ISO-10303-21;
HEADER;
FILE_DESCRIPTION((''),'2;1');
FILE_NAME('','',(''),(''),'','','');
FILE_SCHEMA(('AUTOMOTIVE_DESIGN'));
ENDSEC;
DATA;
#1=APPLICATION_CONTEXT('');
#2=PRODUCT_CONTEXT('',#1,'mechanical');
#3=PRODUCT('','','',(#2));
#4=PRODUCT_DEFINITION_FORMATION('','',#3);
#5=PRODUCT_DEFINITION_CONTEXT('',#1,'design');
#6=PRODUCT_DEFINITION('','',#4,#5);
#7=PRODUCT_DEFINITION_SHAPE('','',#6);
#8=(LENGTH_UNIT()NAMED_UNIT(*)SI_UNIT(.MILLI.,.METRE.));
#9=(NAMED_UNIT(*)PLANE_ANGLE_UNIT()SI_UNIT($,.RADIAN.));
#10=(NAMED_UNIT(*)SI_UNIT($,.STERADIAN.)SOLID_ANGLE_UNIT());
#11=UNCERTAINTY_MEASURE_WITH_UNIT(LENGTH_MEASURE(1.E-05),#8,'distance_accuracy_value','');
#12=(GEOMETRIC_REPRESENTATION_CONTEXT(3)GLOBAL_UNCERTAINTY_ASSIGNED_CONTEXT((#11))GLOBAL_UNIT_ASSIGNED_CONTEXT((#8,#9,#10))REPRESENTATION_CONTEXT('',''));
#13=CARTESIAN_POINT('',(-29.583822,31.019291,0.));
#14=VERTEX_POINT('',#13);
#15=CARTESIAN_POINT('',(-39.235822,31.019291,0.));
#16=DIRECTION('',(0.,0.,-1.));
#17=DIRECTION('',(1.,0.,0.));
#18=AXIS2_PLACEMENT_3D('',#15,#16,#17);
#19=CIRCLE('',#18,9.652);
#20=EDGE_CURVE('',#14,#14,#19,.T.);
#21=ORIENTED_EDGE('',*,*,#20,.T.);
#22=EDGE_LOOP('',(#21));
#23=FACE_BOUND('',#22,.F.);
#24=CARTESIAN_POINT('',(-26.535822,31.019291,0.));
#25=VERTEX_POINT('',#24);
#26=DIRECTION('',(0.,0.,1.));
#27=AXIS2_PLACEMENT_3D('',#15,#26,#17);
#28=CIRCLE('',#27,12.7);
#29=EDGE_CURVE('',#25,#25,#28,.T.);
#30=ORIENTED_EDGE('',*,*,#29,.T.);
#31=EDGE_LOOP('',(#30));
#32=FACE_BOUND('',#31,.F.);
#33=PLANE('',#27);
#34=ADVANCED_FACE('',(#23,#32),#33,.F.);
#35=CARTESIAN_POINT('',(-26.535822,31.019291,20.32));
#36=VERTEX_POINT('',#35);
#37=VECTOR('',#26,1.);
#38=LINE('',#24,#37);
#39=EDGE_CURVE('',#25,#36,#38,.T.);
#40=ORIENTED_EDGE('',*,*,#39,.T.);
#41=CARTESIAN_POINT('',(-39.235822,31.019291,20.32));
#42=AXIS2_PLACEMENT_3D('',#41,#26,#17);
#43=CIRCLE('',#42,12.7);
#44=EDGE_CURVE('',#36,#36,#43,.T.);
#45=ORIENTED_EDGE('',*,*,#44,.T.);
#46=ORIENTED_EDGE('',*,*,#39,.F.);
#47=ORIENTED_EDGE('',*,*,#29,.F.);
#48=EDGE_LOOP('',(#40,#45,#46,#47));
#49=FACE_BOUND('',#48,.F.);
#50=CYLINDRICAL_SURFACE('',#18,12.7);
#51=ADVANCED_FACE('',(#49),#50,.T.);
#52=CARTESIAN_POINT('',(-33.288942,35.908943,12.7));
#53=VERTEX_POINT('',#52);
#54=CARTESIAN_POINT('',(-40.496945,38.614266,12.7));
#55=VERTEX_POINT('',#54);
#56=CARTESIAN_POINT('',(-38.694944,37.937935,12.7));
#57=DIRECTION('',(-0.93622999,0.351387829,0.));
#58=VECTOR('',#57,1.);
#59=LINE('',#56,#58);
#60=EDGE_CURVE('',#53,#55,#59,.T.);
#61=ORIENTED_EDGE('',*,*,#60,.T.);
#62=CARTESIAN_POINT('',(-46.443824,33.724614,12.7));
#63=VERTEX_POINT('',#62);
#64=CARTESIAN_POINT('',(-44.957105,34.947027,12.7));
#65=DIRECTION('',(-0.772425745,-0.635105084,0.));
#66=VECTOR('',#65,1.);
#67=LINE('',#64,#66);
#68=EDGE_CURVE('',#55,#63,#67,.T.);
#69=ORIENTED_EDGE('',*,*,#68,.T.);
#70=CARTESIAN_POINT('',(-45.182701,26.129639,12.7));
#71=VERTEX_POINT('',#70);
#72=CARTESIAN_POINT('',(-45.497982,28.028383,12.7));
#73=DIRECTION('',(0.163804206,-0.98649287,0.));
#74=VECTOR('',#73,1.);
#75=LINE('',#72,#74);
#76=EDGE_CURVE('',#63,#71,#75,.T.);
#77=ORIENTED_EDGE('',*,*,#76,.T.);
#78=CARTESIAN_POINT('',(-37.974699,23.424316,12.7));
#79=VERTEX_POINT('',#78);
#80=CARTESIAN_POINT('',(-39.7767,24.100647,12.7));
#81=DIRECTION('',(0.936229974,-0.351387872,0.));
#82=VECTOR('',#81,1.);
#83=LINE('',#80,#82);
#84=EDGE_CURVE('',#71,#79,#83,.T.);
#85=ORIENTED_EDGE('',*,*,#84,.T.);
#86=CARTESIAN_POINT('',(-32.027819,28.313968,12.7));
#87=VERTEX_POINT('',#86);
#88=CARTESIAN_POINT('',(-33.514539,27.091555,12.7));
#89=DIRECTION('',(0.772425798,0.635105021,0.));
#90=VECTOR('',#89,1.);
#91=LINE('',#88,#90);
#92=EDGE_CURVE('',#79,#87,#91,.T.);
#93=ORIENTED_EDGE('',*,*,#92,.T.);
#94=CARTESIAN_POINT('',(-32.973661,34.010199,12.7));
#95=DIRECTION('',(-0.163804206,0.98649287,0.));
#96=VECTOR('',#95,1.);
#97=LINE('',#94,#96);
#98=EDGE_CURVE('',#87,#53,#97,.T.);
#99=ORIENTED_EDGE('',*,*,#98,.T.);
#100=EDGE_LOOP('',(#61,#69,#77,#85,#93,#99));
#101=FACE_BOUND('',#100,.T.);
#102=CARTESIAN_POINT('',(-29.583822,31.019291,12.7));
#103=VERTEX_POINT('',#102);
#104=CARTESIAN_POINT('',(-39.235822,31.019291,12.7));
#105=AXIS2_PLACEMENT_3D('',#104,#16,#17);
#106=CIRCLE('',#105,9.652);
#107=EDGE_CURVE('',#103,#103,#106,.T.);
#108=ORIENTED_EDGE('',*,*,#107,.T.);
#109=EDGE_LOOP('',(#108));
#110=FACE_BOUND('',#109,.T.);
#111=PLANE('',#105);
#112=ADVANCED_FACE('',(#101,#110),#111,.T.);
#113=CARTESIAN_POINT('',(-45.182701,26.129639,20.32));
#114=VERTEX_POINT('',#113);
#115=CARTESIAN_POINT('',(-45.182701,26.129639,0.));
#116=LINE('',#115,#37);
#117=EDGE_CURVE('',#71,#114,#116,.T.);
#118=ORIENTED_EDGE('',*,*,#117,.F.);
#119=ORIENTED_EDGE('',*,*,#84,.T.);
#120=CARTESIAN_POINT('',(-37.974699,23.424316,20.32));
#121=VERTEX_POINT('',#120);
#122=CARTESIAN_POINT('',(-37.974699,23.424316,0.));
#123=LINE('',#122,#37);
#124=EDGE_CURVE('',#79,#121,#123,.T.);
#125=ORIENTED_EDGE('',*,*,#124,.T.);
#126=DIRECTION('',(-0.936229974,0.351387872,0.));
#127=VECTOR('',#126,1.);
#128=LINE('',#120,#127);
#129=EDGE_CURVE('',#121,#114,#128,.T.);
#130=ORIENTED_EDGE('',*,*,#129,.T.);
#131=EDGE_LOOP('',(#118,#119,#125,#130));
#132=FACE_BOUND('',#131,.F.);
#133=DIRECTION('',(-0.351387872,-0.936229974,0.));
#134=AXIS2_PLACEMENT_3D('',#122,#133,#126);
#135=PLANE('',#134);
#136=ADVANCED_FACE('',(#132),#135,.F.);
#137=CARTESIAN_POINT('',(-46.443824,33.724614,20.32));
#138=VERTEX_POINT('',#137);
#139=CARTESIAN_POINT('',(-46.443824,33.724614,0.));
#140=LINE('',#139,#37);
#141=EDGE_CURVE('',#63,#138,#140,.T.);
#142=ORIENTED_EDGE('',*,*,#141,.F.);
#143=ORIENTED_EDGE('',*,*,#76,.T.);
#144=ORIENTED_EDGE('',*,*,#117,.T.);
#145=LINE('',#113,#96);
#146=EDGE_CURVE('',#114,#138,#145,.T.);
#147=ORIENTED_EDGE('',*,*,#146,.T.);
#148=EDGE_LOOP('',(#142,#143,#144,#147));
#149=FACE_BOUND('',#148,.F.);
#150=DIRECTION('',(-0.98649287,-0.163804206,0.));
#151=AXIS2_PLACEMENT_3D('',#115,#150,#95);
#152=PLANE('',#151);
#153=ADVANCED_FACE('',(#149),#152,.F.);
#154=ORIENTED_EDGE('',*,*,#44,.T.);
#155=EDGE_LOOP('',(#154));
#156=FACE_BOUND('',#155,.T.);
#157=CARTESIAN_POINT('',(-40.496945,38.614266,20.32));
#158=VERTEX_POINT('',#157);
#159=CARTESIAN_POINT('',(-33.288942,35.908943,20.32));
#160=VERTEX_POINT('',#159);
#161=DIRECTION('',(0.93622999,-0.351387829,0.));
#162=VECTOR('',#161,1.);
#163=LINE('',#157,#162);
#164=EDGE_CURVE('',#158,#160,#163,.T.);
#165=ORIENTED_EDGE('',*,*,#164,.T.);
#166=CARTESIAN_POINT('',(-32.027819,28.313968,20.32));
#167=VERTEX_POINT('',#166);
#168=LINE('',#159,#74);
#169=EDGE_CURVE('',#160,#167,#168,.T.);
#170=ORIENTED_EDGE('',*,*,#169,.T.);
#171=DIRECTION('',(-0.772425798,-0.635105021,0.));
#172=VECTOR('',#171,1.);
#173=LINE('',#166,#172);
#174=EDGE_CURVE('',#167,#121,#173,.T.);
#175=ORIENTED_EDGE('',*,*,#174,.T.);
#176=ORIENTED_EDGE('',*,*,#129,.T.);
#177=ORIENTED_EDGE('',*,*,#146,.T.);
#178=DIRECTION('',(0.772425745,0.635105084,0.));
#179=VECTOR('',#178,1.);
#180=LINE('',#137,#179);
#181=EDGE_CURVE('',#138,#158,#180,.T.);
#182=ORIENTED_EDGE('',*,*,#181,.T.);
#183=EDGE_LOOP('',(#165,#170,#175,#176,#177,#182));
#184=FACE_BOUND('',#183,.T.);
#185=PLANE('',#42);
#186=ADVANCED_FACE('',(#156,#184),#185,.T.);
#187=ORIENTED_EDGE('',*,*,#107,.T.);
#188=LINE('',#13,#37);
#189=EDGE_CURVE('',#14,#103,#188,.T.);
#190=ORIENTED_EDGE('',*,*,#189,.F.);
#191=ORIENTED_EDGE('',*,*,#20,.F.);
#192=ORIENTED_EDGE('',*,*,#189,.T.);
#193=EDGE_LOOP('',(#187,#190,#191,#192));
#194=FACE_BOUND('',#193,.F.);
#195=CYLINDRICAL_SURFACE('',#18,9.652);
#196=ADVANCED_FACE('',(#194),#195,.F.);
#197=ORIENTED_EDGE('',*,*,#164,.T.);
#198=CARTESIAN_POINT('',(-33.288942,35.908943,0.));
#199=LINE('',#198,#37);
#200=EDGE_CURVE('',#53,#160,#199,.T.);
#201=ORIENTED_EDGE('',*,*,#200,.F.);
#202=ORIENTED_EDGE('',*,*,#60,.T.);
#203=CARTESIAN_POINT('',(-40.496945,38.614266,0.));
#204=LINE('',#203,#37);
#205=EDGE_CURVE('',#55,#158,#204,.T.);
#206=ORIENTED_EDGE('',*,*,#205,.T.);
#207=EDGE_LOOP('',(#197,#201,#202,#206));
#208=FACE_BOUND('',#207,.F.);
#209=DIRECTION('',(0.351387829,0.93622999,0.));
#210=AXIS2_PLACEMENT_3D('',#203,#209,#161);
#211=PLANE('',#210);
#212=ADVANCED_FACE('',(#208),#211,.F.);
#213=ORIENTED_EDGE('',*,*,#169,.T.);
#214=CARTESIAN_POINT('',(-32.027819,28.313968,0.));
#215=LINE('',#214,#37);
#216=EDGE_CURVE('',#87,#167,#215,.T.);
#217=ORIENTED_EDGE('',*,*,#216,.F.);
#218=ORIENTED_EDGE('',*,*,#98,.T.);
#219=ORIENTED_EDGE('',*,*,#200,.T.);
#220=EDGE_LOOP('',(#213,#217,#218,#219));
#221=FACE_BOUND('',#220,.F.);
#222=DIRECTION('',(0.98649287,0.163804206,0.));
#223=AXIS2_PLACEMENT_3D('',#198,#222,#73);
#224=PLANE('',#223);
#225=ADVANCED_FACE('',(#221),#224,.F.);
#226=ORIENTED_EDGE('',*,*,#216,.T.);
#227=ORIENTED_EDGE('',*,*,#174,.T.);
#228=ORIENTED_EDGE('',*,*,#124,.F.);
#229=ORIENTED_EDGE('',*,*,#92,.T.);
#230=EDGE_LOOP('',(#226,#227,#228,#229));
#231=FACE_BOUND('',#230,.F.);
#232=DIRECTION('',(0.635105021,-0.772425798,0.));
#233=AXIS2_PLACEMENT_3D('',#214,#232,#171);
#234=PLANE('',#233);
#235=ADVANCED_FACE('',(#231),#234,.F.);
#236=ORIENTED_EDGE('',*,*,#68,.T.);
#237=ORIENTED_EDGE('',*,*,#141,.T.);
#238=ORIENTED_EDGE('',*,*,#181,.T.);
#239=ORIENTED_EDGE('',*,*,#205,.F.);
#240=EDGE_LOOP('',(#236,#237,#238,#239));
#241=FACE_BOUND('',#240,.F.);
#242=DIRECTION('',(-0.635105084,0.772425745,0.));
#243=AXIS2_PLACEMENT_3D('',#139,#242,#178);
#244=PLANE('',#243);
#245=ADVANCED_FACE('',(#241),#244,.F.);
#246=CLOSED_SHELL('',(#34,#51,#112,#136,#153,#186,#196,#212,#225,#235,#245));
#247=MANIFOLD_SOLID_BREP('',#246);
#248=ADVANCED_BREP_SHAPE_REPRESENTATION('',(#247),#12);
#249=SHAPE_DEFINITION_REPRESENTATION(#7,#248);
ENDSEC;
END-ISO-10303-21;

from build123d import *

# Parameters (mm, degrees)
F0_R     = 12.7
F0_R_2   = 10.16
F1_DEPTH = 20.32
F2_DEPTH = 20.32
F3_R     = 9.652
F4_DEPTH = 12.7


with BuildPart() as f1:
    # F0 (on Top) → F1 (new body)
    with BuildSketch(Plane.XY):
        with Locations((-39.235822, 31.019291)):
            Circle(F0_R)
        with Locations((-39.235822, 31.019291)):
            Circle(F0_R_2, mode=Mode.SUBTRACT)
    extrude(amount=F1_DEPTH)

    # F0 (on Top) → F2 (join)
    with BuildSketch(Plane.XY):
        with Locations((-39.235822, 31.019291)):
            Circle(F0_R_2)
        Polygon((-40.496945, 38.614266), (-33.288942, 35.908943), (-32.027819, 28.313968), (-37.974699, 23.424316), (-45.182701, 26.129639), (-46.443824, 33.724614), align=None, mode=Mode.SUBTRACT)
    extrude(amount=F2_DEPTH)

    # F3 (on face) → F4 (cut)
    with BuildSketch(Plane(origin=(0, 0, 0), x_dir=(1, 0, 0), z_dir=(0, 0, -1))):
        with Locations((-39.235822, -31.019291)):
            Circle(F3_R)
    extrude(amount=-F4_DEPTH, mode=Mode.SUBTRACT)


solid = f1.part
